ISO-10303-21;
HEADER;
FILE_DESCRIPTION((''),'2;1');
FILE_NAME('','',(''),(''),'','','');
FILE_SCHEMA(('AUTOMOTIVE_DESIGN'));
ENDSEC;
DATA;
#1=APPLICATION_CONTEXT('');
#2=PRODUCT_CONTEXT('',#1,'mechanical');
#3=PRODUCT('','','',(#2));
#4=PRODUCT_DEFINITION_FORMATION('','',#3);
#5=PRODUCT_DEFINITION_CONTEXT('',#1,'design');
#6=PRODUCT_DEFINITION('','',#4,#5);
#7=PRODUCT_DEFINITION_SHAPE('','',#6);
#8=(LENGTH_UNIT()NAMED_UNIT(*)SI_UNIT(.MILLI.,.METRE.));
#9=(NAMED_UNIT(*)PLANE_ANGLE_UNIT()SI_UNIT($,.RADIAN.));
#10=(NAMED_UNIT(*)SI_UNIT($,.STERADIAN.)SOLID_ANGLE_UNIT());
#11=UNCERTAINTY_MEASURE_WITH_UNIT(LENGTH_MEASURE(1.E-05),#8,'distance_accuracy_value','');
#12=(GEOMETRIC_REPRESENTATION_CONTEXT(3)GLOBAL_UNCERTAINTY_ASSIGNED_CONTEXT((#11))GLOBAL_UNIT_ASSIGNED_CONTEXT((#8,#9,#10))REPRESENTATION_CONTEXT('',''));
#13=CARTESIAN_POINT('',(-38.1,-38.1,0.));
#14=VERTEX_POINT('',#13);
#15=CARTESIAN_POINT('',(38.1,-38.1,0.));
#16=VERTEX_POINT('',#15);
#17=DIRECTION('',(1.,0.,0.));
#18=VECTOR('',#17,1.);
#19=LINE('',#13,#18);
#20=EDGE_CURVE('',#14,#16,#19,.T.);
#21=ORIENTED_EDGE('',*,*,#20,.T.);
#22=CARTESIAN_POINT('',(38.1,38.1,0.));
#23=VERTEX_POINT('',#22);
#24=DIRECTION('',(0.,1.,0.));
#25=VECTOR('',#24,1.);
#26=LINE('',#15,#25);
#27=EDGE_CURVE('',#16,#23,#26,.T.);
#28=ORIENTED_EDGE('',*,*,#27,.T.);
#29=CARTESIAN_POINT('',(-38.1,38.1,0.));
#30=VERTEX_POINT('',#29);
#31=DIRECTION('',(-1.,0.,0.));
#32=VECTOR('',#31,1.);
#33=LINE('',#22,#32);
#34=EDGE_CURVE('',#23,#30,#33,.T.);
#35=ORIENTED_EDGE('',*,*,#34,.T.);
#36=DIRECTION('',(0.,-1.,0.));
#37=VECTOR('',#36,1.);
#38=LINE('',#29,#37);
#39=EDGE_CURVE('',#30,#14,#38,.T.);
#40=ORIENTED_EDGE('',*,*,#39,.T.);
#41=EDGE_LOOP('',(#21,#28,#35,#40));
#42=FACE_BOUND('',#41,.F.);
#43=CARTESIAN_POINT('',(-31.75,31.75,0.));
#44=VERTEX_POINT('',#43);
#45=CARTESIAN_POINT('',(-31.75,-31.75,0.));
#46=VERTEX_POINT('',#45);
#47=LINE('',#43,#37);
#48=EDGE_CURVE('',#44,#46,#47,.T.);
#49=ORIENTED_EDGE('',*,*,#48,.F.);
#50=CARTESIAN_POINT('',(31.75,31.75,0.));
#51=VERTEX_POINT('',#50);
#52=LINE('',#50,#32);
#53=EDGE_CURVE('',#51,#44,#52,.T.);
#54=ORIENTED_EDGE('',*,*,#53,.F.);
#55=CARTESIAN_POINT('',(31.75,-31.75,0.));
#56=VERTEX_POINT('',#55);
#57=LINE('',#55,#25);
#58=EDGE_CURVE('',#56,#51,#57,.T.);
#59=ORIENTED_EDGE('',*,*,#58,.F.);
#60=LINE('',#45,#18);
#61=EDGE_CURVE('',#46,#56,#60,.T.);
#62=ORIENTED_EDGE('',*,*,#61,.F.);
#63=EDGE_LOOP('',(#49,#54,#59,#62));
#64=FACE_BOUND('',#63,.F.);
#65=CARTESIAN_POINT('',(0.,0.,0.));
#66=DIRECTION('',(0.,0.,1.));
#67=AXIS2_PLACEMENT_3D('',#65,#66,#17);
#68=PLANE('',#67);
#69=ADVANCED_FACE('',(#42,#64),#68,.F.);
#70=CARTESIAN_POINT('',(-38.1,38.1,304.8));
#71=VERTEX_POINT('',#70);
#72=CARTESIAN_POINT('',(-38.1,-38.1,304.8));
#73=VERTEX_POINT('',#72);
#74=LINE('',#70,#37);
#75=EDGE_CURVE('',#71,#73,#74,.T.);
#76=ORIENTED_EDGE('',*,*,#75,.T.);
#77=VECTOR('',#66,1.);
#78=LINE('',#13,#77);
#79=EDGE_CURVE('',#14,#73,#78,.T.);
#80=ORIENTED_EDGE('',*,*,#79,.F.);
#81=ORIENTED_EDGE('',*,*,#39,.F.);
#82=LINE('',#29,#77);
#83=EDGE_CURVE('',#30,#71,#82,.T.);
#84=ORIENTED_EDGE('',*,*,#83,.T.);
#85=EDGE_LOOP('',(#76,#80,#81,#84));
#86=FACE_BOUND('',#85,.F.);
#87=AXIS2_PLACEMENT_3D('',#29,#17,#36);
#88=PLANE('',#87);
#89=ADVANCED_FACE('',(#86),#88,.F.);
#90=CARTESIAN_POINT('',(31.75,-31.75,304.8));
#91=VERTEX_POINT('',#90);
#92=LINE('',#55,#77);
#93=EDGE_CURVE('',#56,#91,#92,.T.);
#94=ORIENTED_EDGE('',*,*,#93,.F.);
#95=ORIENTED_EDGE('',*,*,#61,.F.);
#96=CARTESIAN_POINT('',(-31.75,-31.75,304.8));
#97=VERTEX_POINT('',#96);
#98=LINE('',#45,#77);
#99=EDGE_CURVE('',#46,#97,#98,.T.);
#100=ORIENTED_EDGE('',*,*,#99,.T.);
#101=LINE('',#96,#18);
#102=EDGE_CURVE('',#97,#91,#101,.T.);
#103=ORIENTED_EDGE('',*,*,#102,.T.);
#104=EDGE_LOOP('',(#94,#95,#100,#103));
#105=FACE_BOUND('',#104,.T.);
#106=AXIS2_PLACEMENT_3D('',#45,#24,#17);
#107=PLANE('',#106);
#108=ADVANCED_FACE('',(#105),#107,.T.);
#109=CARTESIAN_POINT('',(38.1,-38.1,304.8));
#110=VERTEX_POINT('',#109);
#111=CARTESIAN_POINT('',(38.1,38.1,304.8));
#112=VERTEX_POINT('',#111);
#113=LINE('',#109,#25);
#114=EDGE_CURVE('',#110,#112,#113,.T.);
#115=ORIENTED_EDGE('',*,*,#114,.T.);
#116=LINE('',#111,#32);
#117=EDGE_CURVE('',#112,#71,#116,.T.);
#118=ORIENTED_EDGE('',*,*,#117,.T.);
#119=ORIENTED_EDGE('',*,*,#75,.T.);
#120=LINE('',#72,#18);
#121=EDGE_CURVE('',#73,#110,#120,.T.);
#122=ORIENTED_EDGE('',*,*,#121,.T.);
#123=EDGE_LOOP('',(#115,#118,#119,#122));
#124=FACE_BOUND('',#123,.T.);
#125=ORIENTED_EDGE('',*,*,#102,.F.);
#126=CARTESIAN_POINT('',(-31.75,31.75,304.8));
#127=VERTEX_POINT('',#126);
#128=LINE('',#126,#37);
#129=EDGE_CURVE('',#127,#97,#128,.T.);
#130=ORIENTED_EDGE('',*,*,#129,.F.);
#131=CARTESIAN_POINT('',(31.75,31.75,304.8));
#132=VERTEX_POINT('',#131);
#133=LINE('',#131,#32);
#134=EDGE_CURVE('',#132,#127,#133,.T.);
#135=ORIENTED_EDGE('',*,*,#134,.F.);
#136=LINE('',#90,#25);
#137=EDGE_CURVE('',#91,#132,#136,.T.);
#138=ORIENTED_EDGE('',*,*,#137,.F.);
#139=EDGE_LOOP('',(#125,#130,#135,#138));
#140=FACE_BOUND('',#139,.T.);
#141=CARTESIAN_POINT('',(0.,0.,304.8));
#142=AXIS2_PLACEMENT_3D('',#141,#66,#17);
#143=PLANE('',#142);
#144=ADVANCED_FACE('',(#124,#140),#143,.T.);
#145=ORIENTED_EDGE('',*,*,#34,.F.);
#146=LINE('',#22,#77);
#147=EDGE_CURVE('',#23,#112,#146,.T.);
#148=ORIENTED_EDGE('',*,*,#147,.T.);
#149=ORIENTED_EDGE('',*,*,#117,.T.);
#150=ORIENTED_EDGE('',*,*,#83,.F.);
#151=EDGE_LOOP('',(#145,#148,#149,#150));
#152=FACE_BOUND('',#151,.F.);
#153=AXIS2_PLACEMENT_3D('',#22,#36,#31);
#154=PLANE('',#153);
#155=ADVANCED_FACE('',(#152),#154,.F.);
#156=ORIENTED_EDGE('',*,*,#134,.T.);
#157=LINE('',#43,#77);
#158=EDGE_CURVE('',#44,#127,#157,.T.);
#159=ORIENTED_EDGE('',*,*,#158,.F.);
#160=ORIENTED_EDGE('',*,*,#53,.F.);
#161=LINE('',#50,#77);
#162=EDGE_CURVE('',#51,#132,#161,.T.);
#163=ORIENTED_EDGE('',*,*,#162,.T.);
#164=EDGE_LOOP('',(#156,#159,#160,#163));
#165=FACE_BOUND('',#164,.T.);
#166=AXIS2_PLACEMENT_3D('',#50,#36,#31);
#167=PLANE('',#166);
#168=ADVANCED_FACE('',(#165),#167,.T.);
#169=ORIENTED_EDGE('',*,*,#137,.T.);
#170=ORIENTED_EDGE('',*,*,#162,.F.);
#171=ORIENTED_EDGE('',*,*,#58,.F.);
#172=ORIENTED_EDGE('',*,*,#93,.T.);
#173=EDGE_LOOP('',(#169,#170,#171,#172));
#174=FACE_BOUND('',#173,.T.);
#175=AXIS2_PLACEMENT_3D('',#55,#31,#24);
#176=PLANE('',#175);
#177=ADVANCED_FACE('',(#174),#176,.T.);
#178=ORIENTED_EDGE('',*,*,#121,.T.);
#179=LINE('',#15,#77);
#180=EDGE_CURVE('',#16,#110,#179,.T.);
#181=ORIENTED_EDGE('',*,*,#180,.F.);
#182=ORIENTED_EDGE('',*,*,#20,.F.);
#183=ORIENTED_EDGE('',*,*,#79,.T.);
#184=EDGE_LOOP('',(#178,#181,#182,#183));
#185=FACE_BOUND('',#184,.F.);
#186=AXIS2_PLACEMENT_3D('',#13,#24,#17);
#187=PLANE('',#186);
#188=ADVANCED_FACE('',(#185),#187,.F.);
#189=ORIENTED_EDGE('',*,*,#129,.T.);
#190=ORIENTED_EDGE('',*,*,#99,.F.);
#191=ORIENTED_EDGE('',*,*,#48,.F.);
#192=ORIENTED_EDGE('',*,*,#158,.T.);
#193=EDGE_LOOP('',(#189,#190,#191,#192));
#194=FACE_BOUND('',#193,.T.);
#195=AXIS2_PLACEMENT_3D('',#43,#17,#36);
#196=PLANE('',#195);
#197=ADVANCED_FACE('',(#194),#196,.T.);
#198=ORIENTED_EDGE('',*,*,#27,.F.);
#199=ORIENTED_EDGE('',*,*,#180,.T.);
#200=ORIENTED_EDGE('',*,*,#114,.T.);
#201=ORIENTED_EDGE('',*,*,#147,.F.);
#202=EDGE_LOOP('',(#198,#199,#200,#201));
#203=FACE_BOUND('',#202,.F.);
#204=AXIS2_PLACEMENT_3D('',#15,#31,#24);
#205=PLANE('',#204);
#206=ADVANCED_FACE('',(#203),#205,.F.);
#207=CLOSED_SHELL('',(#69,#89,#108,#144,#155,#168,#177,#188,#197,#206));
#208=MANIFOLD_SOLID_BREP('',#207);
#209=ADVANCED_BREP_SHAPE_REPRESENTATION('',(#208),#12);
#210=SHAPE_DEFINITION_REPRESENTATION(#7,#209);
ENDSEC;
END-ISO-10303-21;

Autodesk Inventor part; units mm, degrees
ref_plane "YZ Plane" through (0, 0, 0) normal (1, 0, 0) x (0, 1, 0)
ref_plane "XZ Plane" through (0, 0, 0) normal (0, 1, 0) x (-1, 0, 0)
ref_plane "XY Plane" through (0, 0, 0) normal (0, 0, 1) x (1, 0, 0)
sketch "Sketch1" plane through (0, 0, 0) normal (0, 0, 1) x (1, 0, 0)
  line L0 (-38.1, -38.1) -> (38.1, -38.1)
  line L1 (38.1, -38.1) -> (38.1, 38.1)
  line L2 (38.1, 38.1) -> (-38.1, 38.1)
  line L3 (-38.1, 38.1) -> (-38.1, -38.1)
  line L4 (-38.1, -38.1) -> (38.1, 38.1) construction
  line L5 (38.1, -38.1) -> (-38.1, 38.1) construction
  line L6 (-31.75, -31.75) -> (31.75, -31.75)
  line L7 (31.75, -31.75) -> (31.75, 31.75)
  line L8 (31.75, 31.75) -> (-31.75, 31.75)
  line L9 (-31.75, 31.75) -> (-31.75, -31.75)
  line L10 (-31.75, -31.75) -> (31.75, 31.75) construction
  line L11 (31.75, -31.75) -> (-31.75, 31.75) construction
  point P0 (0, 0)
  dimension "d0" = 76.2
  dimension "d1" = 76.2
  dimension "d2" = 63.5
  dimension "d3" = 63.5
extrude "Extrusion1" add sketch "Sketch1" along normal blind 304.8
equation "\"d0\" = width"
equation "\"d1\" = width"
equation "\"d2\" = width - 2 * thickness"
equation "\"d3\" = width - 2 * thickness"
equation "\"d4\" = length"
equation "\"width\" = 76.2"
equation "\"thickness\" = 6.35"
equation "\"length\" = 304.8"
properties part number "body_frame"
